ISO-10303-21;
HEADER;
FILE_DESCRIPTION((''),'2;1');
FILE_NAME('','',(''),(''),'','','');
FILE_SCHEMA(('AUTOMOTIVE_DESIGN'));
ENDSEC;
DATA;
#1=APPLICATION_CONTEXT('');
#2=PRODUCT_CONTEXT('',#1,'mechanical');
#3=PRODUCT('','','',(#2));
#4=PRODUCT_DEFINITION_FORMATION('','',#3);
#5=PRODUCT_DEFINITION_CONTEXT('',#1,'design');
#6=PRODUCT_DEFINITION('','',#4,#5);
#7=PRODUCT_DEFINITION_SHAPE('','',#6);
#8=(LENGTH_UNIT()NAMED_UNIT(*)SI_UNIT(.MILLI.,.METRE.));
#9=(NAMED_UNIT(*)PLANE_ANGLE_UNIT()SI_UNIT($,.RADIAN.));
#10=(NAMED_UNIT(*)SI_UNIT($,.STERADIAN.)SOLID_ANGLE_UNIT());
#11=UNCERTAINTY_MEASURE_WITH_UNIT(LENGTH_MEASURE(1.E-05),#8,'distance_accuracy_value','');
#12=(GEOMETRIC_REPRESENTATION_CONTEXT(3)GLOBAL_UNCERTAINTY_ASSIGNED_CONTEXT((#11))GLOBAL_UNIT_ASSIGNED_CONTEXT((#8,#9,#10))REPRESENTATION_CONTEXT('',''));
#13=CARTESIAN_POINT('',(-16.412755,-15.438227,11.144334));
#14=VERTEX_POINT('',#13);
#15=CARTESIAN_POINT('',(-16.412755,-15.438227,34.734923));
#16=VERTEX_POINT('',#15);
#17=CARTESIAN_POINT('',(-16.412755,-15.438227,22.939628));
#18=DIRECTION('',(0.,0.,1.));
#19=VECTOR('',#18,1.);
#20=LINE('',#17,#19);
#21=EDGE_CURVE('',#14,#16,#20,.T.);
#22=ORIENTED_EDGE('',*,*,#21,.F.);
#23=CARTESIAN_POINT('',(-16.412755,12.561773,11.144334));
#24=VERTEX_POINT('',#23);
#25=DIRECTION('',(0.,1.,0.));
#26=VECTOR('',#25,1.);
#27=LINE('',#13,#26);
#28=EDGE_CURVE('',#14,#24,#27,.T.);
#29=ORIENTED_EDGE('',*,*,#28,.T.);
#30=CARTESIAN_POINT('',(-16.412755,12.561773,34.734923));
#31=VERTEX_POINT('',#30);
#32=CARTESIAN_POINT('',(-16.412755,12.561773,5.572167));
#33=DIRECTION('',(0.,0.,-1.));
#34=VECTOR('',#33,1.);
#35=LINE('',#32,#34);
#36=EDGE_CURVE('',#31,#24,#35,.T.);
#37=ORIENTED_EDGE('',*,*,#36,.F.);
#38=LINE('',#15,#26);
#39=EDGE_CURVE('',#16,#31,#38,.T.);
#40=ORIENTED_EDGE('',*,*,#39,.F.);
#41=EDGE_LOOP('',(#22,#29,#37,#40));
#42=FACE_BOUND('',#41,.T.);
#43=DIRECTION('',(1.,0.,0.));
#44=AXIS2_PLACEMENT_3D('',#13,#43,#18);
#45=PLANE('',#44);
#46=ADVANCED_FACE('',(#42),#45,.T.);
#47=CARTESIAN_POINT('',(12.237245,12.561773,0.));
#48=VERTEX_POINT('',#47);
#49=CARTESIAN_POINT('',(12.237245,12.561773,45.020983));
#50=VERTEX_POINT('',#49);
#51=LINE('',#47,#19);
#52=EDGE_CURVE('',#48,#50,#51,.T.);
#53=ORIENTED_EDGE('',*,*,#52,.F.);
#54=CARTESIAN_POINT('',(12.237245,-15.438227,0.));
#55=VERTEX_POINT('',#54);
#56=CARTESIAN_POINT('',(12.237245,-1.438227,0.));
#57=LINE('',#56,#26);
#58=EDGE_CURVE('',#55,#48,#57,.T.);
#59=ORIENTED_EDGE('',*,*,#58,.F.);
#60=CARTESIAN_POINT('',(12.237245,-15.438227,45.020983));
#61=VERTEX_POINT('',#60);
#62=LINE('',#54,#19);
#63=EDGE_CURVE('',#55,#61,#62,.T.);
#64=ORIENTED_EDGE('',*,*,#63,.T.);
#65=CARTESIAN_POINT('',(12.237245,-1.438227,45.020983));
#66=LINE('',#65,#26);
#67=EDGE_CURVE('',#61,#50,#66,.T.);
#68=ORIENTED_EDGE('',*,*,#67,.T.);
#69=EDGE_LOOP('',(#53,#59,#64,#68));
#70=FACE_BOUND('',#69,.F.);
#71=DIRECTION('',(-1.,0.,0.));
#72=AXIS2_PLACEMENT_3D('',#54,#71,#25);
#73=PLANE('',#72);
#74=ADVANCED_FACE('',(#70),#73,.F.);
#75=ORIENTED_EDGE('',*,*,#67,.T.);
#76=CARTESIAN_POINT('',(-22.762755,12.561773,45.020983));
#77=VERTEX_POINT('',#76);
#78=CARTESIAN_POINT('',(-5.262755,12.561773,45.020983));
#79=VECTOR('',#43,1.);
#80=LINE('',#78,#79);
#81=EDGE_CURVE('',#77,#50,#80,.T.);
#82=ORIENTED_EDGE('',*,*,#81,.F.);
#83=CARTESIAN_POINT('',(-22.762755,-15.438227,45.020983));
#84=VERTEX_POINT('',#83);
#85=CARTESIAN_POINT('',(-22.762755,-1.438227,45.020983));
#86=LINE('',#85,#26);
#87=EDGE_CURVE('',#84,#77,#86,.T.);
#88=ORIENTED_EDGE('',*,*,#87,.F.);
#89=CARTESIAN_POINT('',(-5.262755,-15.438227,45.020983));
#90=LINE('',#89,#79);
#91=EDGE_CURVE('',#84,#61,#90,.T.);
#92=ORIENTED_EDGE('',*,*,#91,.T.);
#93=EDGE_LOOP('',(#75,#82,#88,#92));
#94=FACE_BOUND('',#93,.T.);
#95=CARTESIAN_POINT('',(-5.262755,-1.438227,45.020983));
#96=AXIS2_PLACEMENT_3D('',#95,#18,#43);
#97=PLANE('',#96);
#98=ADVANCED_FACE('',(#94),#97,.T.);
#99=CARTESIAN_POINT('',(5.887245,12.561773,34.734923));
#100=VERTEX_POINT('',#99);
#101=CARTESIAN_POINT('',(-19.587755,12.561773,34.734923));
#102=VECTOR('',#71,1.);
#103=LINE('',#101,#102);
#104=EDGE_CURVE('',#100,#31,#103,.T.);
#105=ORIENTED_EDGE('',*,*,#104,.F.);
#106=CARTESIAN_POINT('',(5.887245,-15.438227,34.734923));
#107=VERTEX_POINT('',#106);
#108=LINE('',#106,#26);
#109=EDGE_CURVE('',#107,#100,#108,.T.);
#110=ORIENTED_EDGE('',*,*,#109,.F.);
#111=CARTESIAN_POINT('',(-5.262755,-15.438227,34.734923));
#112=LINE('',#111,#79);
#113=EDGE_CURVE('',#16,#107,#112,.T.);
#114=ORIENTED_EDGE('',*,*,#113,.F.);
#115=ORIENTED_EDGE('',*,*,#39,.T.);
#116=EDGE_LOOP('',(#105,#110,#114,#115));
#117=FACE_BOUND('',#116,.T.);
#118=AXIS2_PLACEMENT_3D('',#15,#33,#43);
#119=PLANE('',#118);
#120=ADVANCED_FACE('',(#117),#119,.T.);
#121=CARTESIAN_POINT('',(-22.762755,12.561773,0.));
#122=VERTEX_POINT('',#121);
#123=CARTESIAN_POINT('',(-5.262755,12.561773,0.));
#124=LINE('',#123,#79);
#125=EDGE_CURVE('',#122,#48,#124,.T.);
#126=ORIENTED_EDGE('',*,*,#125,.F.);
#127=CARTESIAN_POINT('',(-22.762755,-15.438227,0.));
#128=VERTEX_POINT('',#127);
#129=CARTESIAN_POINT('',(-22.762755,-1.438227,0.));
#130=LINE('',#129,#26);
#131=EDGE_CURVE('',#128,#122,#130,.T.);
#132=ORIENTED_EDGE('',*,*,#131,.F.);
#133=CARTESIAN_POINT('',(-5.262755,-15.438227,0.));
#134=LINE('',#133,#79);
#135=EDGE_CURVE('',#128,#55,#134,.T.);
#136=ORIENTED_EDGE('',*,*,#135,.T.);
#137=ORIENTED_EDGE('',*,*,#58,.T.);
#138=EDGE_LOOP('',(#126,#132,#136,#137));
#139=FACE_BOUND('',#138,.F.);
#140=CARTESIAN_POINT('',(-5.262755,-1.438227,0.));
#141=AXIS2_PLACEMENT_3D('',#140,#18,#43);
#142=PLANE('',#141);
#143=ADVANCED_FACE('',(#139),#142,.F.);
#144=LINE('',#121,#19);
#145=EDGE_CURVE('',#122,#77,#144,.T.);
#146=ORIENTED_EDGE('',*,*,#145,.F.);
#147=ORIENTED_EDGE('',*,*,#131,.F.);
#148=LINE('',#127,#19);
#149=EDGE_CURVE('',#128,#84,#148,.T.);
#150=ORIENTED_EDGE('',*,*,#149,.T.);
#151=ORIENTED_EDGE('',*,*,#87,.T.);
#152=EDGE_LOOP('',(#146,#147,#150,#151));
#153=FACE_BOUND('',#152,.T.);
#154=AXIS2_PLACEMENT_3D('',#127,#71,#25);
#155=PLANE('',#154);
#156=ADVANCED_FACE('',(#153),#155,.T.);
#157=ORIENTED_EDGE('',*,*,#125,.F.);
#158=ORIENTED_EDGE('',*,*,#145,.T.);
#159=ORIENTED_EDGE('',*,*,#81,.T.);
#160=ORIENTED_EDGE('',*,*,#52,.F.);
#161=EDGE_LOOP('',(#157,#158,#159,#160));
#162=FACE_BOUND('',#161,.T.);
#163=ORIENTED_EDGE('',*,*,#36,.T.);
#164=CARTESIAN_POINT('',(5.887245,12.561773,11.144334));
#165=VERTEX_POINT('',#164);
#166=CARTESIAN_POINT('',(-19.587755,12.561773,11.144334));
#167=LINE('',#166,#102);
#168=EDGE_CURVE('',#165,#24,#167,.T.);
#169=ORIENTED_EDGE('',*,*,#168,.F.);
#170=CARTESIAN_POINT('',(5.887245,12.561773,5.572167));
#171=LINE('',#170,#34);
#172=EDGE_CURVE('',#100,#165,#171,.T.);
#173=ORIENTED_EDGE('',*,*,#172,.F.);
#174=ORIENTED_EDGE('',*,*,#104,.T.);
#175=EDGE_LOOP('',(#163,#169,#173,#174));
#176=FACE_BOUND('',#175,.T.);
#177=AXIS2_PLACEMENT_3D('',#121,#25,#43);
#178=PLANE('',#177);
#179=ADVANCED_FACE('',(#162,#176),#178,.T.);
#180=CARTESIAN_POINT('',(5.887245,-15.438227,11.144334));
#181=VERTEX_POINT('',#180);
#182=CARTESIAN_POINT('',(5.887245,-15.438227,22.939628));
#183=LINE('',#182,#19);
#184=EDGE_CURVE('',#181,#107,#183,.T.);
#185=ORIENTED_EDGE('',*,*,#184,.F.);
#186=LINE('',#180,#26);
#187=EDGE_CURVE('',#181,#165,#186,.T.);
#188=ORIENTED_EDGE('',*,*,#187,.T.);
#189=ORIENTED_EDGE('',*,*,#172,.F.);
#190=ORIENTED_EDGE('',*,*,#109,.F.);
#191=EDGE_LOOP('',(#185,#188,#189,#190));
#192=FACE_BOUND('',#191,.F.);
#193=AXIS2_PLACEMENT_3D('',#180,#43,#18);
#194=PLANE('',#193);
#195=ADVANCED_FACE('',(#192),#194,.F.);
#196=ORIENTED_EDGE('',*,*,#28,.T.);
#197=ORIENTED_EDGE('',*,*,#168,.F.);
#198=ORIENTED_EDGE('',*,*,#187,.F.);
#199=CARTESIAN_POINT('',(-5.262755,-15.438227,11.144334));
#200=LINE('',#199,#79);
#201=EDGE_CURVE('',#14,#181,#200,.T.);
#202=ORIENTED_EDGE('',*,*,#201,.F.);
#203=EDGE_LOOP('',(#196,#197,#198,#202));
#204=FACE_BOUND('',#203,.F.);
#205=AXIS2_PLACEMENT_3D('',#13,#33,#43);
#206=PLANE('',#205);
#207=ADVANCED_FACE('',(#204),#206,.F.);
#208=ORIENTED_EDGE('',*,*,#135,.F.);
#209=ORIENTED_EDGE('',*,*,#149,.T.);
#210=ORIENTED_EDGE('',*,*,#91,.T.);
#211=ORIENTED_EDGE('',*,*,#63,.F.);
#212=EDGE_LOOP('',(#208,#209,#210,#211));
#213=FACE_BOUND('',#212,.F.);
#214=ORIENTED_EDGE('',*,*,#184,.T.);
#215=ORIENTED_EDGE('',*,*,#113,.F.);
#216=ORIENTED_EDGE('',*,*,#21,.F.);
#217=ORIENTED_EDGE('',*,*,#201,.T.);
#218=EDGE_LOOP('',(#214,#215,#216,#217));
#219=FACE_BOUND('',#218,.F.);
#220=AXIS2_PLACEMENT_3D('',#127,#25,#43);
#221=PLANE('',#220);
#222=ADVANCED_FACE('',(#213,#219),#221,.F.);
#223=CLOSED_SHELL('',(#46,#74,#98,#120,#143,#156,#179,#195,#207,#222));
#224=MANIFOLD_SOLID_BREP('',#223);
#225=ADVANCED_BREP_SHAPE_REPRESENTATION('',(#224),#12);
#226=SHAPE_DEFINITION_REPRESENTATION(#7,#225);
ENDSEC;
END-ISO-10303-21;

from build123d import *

# Parameters (mm, degrees)
F1_W     = 35
F1_H     = 28
F2_DEPTH = 45.020983
F3_W     = 22.3
F3_H     = 23.590589
F4_DEPTH = 28.001


with BuildPart() as f2:
    # F1 (on face) → F2 (new body)
    with BuildSketch(Plane.XY):
        with Locations((-5.262755, -1.438227)):
            Rectangle(F1_W, F1_H)
    extrude(amount=F2_DEPTH)

    # F3 (on face) → F4 (cut, through all)
    with BuildSketch(Plane.XZ.offset(15.438227)):
        with Locations((-5.262755, 22.939628)):
            Rectangle(F3_W, F3_H)
    extrude(amount=-F4_DEPTH, mode=Mode.SUBTRACT)


solid = f2.part
